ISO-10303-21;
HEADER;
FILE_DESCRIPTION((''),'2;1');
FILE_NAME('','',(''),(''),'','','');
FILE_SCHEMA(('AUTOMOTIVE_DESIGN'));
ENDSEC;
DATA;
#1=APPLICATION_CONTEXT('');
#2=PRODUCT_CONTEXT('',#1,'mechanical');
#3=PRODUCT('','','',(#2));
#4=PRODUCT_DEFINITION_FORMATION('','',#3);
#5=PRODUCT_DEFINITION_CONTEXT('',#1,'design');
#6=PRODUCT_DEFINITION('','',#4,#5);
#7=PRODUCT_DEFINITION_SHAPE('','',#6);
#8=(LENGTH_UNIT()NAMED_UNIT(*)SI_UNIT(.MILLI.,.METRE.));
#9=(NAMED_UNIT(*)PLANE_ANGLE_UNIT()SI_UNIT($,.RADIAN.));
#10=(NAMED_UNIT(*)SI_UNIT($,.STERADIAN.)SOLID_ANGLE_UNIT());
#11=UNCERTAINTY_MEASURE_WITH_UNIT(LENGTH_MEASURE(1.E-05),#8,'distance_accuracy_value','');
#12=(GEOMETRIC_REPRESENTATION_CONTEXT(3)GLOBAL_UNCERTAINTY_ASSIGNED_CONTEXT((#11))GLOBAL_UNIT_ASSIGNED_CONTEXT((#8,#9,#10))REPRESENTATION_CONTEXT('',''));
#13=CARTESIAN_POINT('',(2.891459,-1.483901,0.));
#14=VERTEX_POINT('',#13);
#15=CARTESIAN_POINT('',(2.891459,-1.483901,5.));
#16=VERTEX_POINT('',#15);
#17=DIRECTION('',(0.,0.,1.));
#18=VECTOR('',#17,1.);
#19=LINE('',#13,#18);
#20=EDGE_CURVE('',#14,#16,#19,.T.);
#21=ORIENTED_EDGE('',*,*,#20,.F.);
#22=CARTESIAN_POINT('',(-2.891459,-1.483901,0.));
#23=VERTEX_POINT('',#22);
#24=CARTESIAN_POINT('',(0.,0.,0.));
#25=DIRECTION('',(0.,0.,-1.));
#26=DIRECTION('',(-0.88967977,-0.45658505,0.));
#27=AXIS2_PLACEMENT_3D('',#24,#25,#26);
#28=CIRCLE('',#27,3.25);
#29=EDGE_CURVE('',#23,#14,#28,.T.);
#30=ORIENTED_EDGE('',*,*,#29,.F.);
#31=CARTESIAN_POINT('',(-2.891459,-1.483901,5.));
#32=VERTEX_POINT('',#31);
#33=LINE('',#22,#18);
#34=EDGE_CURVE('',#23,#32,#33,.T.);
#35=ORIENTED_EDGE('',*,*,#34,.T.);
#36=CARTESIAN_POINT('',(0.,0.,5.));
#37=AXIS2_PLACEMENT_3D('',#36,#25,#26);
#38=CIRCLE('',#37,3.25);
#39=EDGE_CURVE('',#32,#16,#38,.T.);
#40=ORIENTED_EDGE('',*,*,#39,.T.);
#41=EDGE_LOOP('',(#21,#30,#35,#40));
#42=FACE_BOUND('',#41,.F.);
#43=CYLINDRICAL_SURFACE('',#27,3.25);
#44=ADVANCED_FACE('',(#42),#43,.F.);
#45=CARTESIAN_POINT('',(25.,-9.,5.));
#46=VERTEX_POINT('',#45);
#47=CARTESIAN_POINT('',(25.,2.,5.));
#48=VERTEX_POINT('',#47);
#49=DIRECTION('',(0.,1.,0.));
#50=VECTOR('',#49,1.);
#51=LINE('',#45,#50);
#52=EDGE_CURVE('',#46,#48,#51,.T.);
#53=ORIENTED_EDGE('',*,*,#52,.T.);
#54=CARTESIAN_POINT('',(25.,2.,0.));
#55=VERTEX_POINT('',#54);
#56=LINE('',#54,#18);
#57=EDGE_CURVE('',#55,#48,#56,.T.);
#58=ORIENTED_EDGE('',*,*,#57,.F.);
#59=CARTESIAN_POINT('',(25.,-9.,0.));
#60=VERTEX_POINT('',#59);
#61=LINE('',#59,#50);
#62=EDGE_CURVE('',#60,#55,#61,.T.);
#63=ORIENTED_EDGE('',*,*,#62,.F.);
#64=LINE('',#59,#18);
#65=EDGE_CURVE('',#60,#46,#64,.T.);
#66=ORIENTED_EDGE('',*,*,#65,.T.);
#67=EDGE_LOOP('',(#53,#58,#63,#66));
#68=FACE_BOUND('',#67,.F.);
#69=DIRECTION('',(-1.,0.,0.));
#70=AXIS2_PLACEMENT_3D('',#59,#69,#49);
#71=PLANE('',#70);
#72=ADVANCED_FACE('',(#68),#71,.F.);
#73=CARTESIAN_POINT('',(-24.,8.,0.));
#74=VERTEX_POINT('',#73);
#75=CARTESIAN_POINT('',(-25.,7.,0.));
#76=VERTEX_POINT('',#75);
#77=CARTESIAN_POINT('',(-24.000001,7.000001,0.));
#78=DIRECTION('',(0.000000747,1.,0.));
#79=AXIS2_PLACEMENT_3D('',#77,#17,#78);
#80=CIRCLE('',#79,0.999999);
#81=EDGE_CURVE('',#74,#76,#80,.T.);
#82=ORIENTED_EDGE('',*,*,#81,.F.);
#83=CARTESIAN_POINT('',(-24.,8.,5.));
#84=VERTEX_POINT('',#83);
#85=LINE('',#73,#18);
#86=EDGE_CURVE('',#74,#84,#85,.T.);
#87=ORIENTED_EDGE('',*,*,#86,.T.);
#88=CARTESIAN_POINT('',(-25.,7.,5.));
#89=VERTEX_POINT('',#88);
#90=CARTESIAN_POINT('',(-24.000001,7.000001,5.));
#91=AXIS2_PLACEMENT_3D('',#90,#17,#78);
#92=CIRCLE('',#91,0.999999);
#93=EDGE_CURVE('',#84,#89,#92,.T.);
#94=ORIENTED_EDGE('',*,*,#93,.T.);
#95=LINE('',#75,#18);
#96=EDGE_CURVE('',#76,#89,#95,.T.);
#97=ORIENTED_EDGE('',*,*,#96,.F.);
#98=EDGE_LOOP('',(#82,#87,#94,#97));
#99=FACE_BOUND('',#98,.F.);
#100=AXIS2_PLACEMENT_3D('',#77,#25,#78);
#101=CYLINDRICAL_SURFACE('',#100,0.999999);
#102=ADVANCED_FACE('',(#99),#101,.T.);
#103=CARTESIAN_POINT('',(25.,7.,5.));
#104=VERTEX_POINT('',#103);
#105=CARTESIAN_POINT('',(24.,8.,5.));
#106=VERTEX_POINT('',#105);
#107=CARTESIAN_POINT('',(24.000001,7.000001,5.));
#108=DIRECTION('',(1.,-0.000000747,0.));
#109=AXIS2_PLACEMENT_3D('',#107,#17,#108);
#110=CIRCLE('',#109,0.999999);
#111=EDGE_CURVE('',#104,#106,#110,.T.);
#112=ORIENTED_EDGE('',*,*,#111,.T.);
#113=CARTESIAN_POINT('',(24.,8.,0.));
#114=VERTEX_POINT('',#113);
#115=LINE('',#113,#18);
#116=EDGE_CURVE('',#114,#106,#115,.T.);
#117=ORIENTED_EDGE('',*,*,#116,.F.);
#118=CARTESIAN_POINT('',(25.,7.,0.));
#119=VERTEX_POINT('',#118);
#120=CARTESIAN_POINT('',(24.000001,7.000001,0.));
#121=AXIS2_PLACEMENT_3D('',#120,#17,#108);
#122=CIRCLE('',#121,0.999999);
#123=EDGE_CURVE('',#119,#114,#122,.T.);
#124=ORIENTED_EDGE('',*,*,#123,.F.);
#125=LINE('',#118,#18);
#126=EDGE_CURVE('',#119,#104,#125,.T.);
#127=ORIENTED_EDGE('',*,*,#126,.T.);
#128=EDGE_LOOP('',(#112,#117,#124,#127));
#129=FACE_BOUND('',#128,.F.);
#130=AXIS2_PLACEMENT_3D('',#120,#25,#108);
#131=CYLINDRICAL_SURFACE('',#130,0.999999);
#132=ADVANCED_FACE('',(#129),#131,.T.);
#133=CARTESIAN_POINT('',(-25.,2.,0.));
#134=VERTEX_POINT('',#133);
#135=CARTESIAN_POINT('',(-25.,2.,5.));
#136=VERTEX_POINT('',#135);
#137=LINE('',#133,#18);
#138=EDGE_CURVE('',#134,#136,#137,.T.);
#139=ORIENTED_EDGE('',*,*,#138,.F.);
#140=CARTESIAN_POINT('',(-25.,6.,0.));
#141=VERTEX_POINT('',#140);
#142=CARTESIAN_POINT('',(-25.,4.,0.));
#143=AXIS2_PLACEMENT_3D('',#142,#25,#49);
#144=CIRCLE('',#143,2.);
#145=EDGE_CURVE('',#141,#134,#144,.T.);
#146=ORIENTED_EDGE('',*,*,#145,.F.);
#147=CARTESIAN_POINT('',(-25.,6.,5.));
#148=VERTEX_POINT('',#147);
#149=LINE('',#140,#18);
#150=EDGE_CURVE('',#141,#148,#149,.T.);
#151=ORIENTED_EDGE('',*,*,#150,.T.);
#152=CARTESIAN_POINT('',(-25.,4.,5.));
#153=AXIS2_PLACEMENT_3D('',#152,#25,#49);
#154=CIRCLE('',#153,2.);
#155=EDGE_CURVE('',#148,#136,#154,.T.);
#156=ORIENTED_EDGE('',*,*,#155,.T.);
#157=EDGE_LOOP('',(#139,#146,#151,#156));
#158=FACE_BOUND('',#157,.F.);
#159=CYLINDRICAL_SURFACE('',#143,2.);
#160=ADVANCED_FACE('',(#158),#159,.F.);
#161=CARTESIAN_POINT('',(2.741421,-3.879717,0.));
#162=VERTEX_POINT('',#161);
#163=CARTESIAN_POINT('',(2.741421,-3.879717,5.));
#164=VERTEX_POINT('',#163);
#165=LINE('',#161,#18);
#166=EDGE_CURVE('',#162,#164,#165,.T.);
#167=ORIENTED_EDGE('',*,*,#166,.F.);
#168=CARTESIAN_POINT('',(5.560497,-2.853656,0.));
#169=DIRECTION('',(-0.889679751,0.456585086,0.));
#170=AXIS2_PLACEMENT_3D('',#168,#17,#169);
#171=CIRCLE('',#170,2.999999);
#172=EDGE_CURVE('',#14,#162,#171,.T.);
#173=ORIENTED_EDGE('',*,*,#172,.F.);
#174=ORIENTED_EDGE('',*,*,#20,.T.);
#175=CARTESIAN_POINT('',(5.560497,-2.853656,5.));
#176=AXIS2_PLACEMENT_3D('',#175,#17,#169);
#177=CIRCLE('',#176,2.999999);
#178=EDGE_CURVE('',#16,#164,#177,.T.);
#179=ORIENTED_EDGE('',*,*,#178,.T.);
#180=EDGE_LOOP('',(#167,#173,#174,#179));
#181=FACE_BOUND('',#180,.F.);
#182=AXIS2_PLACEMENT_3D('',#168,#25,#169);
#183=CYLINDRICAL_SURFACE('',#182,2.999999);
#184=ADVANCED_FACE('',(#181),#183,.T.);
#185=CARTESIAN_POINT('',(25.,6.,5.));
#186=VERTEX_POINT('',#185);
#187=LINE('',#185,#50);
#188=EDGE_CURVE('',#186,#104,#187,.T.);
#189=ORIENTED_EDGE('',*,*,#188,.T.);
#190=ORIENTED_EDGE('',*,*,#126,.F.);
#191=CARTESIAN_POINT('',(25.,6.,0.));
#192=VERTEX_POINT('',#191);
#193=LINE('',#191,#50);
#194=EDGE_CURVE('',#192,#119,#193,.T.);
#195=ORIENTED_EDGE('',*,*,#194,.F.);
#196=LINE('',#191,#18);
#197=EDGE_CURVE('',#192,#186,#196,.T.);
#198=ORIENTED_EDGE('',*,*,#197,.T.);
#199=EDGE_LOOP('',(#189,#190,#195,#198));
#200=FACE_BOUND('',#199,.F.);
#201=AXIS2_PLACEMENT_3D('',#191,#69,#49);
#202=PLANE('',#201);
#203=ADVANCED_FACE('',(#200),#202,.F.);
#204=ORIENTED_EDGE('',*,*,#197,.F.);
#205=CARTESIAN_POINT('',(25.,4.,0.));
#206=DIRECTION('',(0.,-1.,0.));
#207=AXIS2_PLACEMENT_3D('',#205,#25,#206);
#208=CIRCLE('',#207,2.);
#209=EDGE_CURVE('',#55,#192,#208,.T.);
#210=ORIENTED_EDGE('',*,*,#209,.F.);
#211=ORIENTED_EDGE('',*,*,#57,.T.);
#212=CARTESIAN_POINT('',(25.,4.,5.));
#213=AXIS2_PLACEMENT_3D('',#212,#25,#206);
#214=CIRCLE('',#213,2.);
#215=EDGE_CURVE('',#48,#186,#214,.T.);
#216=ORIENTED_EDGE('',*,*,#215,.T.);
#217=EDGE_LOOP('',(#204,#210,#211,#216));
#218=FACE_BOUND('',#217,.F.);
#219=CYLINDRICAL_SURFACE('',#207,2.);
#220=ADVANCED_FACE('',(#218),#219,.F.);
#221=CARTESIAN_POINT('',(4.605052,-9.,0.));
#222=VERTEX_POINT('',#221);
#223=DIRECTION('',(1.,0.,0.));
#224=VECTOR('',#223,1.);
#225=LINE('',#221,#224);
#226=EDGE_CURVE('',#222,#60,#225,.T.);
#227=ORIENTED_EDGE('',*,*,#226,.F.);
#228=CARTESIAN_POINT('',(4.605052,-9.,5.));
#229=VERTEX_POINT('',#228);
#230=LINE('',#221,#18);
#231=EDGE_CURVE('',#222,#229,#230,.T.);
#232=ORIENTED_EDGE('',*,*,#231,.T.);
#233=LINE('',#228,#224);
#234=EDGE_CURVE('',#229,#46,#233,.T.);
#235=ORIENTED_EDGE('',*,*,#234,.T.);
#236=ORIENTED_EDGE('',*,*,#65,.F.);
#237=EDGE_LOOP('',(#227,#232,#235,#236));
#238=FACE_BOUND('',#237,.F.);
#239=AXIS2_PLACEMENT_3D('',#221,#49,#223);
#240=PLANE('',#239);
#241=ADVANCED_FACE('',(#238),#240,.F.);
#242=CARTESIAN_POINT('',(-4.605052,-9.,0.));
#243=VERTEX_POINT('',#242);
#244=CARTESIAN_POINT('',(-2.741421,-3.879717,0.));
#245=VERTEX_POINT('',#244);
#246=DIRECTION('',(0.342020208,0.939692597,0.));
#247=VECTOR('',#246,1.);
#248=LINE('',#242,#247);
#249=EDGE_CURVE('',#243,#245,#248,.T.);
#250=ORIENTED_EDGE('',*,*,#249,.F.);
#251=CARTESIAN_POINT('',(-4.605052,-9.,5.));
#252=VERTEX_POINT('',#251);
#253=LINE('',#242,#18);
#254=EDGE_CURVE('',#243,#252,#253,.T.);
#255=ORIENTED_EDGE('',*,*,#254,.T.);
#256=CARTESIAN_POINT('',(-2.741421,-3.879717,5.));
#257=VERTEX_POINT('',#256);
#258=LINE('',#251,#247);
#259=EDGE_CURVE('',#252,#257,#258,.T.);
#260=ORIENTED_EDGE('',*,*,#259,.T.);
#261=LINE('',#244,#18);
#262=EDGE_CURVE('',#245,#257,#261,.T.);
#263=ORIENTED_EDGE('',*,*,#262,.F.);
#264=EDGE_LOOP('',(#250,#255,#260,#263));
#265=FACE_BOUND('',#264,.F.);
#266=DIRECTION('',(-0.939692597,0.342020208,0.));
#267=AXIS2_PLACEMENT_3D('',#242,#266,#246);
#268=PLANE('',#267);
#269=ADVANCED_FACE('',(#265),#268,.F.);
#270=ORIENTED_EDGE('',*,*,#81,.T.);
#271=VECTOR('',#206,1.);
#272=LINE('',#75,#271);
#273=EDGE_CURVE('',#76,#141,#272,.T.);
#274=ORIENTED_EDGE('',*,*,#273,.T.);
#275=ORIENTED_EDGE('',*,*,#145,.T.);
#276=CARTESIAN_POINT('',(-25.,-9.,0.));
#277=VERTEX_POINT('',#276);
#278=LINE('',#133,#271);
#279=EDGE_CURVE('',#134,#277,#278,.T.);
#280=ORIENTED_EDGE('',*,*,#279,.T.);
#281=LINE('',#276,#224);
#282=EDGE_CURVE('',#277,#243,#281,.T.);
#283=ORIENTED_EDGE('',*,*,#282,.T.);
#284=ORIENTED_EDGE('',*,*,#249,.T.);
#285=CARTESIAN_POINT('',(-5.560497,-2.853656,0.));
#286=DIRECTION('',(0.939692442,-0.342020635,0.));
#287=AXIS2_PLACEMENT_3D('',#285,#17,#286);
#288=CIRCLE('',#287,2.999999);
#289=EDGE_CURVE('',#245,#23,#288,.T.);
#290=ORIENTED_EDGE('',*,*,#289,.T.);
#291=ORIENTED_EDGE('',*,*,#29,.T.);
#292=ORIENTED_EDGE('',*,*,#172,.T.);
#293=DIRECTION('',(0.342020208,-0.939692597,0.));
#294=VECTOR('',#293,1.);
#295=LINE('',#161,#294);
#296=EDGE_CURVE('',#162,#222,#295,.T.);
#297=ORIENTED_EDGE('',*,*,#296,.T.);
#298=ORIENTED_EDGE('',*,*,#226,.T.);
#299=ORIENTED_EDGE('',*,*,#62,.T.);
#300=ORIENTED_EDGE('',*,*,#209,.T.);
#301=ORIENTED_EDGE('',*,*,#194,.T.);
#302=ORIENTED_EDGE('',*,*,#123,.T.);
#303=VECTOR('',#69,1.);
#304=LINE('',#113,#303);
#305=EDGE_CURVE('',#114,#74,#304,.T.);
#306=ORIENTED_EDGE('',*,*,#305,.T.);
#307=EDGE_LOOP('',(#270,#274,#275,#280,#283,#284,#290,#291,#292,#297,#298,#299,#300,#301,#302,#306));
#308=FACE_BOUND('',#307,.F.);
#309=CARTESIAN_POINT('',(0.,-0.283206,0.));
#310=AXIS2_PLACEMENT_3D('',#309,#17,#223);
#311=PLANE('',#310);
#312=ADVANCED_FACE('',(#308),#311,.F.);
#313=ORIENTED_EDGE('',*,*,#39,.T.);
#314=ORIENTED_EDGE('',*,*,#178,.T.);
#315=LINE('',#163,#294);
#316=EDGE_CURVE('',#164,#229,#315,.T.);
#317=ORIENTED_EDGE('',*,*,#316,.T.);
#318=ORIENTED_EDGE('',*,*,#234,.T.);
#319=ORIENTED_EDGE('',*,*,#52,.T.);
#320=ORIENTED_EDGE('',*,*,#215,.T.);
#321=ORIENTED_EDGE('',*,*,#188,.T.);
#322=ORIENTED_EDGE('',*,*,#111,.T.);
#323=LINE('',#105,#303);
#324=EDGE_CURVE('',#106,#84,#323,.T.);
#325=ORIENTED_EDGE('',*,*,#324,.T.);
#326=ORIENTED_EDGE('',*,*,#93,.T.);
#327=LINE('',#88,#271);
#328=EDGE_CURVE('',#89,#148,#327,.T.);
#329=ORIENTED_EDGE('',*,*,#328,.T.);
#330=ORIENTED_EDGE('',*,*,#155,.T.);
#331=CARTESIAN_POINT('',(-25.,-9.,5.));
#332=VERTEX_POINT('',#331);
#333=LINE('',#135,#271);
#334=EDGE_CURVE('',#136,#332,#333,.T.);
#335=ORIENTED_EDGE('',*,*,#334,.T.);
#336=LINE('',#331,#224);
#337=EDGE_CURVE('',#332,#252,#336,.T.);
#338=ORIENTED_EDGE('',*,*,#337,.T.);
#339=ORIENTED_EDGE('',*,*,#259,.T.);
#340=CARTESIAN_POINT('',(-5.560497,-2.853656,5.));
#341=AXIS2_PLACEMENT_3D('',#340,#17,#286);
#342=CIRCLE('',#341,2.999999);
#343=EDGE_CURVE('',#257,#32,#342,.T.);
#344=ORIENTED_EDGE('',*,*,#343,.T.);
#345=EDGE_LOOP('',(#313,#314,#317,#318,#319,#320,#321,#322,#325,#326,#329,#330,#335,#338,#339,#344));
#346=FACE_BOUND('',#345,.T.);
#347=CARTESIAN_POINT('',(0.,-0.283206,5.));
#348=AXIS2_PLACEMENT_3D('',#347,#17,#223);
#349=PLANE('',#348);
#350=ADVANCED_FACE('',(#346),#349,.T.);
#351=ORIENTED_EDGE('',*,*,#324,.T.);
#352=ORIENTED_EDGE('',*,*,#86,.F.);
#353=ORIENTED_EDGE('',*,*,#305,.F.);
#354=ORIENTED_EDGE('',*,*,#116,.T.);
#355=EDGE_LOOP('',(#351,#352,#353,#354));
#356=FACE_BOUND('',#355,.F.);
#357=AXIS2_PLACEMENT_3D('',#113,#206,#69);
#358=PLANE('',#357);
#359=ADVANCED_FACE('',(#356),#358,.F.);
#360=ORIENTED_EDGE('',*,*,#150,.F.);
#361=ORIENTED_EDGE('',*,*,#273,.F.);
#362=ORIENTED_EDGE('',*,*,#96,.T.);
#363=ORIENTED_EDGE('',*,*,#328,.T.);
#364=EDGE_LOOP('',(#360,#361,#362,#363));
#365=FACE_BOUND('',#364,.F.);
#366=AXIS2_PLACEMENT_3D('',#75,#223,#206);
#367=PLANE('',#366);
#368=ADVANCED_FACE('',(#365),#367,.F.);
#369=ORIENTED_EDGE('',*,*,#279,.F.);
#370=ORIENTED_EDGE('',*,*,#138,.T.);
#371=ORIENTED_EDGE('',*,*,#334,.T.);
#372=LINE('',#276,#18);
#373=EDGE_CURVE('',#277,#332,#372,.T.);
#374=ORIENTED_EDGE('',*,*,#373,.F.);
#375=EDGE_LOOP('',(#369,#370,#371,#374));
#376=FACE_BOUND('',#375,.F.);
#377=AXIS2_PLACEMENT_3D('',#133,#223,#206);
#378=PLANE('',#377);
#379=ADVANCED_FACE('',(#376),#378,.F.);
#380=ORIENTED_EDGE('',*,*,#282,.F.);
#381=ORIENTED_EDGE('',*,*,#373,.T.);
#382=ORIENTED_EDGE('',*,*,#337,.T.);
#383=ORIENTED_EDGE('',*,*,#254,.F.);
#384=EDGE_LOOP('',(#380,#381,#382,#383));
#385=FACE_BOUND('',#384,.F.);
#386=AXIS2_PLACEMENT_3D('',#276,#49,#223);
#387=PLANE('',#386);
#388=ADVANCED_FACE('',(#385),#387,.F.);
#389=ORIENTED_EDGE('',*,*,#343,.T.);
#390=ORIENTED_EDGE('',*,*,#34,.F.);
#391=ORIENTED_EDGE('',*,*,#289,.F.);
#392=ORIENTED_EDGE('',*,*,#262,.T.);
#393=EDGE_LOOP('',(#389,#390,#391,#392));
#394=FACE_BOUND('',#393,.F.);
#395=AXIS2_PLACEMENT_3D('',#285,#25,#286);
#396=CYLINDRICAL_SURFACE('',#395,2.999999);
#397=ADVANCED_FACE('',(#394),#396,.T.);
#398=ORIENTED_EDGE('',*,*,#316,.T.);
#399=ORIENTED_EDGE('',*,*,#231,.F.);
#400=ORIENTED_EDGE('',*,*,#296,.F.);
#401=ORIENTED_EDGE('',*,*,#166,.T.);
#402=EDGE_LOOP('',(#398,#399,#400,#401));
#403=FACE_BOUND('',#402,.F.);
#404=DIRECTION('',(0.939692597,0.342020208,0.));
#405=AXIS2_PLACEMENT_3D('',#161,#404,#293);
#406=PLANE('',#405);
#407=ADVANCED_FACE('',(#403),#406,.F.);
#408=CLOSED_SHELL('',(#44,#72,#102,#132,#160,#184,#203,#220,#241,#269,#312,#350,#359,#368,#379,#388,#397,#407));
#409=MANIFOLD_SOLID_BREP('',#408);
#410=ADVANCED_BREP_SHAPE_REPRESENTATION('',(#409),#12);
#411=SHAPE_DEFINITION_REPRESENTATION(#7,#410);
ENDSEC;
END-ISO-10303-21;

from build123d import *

# Parameters (mm, degrees)
F1_DEPTH = 5


with BuildPart() as f1:
    # F0 (on Top) → F1 (new body)
    with BuildSketch(Plane.XY):
        with BuildLine():
            ThreePointArc((-2.891459, -1.483901), (0, 3.25), (2.891459, -1.483901))
            ThreePointArc((2.891459, -1.483901), (2.566364, -2.666148), (2.741421, -3.879717))
            Line((2.741421, -3.879717), (4.605052, -9))
            Line((4.605052, -9), (25, -9))
            Line((25, -9), (25, 2))
            ThreePointArc((25, 2), (23, 4), (25, 6))
            Line((25, 6), (25, 7))
            ThreePointArc((25, 7), (24.707107, 7.707107), (24, 8))
            Line((24, 8), (-24, 8))
            ThreePointArc((-24, 8), (-24.707107, 7.707107), (-25, 7))
            Line((-25, 7), (-25, 6))
            ThreePointArc((-25, 6), (-23, 4), (-25, 2))
            Line((-25, 2), (-25, -9))
            Line((-25, -9), (-4.605052, -9))
            Line((-4.605052, -9), (-2.741421, -3.879717))
            ThreePointArc((-2.741421, -3.879717), (-2.566364, -2.666148), (-2.891459, -1.483901))
        make_face()
    extrude(amount=F1_DEPTH)


solid = f1.part
